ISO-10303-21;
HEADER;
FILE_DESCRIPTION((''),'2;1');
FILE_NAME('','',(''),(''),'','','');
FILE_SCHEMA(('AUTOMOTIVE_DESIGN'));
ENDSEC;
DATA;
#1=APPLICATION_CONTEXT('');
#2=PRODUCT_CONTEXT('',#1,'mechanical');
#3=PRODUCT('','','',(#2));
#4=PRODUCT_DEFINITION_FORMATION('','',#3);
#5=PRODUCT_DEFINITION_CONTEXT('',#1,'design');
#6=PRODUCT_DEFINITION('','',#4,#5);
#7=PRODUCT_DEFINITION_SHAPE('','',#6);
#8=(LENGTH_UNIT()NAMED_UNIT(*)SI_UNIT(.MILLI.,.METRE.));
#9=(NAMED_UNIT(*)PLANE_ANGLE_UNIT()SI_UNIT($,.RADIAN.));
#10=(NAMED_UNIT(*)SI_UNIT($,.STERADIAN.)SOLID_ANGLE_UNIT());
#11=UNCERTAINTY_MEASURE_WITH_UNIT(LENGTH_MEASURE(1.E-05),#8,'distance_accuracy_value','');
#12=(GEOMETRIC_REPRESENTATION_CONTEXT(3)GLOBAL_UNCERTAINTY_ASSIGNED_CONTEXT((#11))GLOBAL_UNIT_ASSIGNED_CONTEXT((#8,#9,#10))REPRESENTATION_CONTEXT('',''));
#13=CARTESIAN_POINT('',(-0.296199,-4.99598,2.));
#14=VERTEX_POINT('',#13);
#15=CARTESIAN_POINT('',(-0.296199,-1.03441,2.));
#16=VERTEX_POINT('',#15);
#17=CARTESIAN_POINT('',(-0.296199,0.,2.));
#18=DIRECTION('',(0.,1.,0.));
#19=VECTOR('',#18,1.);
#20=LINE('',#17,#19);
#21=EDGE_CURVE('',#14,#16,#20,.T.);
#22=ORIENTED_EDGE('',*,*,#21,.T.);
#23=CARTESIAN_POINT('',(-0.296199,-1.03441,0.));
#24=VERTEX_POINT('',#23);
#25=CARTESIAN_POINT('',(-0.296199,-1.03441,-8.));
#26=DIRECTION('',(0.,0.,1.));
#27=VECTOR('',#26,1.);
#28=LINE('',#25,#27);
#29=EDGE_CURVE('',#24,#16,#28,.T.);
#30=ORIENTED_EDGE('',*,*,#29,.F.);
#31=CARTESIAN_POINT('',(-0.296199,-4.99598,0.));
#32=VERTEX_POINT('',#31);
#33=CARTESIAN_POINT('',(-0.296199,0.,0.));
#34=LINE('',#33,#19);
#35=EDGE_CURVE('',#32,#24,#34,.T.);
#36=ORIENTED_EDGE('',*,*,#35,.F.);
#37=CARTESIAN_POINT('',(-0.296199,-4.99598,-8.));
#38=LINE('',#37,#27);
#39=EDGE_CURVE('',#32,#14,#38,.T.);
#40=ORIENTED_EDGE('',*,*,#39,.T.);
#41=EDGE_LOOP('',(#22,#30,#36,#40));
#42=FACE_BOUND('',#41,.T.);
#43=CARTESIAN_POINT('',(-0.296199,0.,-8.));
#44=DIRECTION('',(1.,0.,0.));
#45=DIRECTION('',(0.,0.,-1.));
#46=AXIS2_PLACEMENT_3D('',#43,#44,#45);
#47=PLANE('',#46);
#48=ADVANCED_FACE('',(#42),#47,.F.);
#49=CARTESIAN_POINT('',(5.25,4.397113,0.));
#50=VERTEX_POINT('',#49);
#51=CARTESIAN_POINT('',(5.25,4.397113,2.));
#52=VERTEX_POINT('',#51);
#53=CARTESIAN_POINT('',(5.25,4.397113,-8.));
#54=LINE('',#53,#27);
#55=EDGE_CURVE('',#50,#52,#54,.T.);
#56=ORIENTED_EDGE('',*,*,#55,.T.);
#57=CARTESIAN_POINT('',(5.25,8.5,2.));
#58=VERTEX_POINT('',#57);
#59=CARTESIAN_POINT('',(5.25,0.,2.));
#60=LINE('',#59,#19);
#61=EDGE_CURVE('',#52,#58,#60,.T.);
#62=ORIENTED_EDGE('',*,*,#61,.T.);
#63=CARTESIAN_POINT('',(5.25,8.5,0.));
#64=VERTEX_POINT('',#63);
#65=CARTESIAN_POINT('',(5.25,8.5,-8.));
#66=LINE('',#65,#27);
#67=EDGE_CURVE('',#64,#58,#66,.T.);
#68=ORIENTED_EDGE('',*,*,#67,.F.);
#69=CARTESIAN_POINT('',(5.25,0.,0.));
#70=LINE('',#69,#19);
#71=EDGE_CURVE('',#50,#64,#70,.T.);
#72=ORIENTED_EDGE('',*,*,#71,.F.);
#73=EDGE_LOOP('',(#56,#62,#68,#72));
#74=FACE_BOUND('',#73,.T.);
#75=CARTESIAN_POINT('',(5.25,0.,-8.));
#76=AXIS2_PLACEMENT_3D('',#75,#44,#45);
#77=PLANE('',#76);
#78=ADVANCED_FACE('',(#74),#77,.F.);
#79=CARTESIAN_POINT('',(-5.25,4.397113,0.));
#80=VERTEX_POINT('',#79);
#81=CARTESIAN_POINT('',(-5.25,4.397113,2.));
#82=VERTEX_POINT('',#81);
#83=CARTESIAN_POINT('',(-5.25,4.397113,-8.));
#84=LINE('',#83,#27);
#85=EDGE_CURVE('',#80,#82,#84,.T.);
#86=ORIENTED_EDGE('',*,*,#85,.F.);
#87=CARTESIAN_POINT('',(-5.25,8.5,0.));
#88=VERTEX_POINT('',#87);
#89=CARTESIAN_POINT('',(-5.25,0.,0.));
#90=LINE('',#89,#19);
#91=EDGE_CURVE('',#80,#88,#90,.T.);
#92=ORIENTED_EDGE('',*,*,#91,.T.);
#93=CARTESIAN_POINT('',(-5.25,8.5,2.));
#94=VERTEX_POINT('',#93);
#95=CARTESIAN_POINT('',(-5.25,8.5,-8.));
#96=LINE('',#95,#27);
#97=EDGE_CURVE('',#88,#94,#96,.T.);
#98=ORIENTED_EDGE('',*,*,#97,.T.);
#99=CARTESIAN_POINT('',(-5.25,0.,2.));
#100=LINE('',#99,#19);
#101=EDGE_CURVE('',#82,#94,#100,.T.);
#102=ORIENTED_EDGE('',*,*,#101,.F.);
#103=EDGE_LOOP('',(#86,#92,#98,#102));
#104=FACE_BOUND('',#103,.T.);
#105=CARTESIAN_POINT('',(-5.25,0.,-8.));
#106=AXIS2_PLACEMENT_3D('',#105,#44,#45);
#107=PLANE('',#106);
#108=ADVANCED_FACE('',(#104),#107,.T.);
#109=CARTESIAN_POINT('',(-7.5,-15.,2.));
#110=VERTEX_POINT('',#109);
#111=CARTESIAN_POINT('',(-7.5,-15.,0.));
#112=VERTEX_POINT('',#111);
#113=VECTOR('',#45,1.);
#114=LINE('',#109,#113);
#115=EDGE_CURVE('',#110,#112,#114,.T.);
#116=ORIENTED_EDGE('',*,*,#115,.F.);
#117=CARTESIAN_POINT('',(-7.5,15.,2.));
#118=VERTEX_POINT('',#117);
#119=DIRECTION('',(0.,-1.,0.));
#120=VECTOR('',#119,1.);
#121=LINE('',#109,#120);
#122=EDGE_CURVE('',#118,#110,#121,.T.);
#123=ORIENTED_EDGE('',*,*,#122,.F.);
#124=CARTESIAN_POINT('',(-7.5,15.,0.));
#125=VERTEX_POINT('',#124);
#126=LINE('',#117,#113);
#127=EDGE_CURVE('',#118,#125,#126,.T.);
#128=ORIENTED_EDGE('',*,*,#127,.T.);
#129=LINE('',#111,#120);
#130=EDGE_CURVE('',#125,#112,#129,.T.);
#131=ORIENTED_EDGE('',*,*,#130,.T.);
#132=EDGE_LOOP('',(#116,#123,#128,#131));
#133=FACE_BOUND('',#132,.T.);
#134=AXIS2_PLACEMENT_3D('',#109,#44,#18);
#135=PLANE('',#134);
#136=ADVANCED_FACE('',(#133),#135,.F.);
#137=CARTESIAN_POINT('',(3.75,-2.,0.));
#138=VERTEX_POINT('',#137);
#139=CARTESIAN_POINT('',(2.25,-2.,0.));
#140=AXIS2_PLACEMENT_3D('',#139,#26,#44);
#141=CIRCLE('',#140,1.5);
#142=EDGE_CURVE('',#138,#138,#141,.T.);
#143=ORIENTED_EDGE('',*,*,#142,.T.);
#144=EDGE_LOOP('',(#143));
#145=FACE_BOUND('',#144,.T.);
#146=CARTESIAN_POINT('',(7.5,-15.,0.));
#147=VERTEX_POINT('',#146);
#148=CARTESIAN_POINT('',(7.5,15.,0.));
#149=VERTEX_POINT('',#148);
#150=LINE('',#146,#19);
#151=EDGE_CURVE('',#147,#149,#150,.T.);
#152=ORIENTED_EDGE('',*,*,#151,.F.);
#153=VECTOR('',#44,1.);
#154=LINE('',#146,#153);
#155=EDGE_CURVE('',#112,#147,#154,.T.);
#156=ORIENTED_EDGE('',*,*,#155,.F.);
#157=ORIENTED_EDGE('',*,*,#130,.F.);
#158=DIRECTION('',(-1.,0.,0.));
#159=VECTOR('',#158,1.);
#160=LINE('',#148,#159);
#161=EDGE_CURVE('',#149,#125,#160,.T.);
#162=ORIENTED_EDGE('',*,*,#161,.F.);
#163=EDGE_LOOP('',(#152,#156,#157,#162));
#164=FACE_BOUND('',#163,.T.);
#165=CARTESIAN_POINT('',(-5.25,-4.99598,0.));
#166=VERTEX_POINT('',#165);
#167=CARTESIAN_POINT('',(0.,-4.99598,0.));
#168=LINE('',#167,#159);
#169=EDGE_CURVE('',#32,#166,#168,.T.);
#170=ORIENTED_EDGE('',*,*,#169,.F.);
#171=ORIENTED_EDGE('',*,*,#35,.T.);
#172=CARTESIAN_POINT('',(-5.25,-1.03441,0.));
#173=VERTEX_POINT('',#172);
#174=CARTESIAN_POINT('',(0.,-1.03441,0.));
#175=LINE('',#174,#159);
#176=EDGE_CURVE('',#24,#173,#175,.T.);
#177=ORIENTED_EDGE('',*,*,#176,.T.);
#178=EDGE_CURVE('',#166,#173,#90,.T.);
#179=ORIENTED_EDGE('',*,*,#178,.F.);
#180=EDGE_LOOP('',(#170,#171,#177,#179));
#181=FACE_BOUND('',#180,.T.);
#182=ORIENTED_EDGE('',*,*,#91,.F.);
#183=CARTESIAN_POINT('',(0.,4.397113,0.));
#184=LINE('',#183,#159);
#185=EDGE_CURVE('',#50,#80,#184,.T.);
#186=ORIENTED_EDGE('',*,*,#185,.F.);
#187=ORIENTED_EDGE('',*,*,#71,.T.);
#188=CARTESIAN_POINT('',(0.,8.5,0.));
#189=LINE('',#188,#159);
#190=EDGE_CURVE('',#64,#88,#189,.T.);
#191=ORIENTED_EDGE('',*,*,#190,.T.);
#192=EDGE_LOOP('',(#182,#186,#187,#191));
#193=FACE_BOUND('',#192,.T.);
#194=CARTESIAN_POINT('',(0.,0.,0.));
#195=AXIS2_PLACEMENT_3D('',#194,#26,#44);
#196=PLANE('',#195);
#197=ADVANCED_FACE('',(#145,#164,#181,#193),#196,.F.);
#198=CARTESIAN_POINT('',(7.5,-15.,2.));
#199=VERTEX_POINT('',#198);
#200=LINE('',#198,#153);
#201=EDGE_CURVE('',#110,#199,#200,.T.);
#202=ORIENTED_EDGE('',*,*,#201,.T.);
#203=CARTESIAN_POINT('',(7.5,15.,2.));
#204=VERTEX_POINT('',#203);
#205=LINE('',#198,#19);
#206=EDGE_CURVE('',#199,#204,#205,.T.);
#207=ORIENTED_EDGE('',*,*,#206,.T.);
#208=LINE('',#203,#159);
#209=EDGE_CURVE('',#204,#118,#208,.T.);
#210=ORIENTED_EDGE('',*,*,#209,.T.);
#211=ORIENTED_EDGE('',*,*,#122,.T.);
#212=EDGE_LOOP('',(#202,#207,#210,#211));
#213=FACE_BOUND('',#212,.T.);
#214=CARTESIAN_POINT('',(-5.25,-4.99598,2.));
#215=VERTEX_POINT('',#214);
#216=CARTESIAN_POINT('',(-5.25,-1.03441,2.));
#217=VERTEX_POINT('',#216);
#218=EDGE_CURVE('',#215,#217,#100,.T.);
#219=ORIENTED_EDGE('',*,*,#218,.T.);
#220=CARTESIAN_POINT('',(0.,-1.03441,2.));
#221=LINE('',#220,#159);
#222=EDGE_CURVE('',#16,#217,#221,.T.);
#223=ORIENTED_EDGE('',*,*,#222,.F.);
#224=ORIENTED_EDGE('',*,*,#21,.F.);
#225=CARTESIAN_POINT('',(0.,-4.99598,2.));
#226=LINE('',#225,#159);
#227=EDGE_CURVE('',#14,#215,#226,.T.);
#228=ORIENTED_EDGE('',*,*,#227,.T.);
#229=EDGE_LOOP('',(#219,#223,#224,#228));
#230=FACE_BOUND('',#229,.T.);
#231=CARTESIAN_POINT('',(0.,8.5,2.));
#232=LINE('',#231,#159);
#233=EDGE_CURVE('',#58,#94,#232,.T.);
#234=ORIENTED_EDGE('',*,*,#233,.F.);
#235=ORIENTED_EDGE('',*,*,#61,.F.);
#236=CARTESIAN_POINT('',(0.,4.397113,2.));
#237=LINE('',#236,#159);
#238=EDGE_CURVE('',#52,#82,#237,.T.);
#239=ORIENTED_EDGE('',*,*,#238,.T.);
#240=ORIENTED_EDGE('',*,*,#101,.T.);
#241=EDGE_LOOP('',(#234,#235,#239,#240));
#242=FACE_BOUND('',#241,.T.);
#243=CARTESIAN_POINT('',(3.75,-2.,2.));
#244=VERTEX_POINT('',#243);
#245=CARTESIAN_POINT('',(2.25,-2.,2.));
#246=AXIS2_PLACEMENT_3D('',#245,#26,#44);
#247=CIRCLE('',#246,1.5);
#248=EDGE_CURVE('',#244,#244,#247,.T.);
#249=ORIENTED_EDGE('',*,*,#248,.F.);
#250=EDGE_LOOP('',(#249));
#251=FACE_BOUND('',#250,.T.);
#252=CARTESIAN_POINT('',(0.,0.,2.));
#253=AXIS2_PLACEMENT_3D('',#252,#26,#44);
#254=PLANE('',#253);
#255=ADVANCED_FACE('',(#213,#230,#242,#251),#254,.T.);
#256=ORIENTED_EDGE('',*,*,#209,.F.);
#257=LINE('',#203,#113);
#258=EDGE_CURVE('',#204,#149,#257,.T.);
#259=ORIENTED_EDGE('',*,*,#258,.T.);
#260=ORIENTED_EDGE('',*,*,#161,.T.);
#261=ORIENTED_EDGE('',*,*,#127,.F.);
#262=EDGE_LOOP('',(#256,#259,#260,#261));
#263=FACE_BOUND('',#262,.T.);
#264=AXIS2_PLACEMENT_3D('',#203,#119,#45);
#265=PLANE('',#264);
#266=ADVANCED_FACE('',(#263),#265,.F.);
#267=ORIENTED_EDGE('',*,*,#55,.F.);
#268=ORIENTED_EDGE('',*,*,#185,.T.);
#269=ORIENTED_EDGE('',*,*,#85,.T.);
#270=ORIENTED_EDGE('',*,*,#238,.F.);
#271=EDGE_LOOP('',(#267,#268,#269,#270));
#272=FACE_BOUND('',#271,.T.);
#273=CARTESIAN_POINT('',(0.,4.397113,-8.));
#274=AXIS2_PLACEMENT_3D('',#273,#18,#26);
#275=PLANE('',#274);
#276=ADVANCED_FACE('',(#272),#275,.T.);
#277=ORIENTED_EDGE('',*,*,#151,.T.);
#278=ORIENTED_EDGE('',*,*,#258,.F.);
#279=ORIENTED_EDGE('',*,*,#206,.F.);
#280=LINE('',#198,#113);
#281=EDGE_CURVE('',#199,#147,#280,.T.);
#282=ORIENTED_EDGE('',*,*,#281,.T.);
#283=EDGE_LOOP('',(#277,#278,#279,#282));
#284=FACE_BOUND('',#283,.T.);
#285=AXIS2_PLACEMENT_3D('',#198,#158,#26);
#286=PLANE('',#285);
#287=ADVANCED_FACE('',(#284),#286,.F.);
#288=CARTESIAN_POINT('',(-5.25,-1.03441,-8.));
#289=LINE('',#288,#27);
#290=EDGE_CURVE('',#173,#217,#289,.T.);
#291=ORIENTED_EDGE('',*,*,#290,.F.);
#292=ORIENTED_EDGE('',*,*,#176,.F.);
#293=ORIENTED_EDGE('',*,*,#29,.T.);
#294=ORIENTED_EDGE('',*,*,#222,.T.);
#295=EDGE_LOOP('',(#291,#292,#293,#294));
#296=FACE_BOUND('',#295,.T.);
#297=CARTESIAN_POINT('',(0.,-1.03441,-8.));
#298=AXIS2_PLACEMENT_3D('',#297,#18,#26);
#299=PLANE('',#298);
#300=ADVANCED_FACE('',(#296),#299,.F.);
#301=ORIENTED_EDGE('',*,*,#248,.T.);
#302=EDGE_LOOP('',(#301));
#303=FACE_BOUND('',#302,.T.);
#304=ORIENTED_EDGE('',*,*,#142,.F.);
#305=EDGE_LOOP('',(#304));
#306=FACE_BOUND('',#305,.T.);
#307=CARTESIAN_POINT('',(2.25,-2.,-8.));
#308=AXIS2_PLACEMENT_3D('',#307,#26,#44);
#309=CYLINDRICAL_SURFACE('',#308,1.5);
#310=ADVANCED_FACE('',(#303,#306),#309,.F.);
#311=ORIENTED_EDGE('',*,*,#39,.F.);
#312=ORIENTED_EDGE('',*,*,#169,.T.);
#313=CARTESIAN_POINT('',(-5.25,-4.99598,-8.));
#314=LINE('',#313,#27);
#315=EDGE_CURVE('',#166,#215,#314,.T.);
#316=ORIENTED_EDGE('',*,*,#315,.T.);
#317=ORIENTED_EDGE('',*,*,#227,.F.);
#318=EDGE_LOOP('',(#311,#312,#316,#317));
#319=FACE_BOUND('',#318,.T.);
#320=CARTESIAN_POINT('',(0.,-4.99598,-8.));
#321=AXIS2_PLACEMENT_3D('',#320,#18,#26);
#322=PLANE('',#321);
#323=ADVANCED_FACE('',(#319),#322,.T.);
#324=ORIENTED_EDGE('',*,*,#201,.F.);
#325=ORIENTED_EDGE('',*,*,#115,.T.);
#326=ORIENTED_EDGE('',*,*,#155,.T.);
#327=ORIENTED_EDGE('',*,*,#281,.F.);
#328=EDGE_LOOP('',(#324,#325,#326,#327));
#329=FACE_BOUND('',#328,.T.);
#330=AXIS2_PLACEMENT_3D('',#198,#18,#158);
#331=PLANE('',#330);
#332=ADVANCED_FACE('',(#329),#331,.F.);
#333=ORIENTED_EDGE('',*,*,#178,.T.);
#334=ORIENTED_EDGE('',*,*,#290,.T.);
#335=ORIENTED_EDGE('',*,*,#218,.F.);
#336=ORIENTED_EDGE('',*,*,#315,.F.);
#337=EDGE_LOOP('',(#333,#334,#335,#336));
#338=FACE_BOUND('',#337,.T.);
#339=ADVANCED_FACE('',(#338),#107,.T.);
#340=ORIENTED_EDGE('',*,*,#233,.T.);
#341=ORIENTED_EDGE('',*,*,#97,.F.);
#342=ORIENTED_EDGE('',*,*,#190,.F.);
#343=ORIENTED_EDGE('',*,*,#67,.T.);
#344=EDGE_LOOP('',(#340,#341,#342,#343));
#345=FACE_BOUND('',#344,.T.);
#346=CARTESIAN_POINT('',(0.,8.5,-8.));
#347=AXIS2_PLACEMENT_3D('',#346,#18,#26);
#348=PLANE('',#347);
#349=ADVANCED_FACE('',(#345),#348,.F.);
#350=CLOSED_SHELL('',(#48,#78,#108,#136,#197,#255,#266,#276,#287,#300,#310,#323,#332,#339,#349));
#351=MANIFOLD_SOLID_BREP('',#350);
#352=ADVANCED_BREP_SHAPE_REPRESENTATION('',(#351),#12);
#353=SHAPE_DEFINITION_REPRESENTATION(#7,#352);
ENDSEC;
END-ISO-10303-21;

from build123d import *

# Parameters (mm, degrees)
SKETCH1_W           = 15
SKETCH1_H           = 30
BOSS_EXTRUDE1_DEPTH = 2
SKETCH2_W           = 10.5
SKETCH2_H           = 4.102887438
SKETCH2_W_2         = 4.953801424
SKETCH2_H_2         = 3.961570411
SKETCH2_R           = 1.5
CUT_EXTRUDE1_DEPTH  = 10


with BuildPart() as part:
    # Sketch1 → Boss-Extrude1 (new body)
    with BuildSketch(Plane.XY):
        Rectangle(SKETCH1_W, SKETCH1_H)
    extrude(amount=BOSS_EXTRUDE1_DEPTH)

    # Sketch2 → Cut-Extrude1 (cut)
    with BuildSketch(Plane.XY.offset(2)):
        with Locations((0, 6.448556281)):
            Rectangle(SKETCH2_W, SKETCH2_H)
        with Locations((-2.773099288, -3.015195258)):
            Rectangle(SKETCH2_W_2, SKETCH2_H_2)
        with Locations((2.25, -2)):
            Circle(SKETCH2_R)
    extrude(amount=-CUT_EXTRUDE1_DEPTH, mode=Mode.SUBTRACT)


solid = part.part
